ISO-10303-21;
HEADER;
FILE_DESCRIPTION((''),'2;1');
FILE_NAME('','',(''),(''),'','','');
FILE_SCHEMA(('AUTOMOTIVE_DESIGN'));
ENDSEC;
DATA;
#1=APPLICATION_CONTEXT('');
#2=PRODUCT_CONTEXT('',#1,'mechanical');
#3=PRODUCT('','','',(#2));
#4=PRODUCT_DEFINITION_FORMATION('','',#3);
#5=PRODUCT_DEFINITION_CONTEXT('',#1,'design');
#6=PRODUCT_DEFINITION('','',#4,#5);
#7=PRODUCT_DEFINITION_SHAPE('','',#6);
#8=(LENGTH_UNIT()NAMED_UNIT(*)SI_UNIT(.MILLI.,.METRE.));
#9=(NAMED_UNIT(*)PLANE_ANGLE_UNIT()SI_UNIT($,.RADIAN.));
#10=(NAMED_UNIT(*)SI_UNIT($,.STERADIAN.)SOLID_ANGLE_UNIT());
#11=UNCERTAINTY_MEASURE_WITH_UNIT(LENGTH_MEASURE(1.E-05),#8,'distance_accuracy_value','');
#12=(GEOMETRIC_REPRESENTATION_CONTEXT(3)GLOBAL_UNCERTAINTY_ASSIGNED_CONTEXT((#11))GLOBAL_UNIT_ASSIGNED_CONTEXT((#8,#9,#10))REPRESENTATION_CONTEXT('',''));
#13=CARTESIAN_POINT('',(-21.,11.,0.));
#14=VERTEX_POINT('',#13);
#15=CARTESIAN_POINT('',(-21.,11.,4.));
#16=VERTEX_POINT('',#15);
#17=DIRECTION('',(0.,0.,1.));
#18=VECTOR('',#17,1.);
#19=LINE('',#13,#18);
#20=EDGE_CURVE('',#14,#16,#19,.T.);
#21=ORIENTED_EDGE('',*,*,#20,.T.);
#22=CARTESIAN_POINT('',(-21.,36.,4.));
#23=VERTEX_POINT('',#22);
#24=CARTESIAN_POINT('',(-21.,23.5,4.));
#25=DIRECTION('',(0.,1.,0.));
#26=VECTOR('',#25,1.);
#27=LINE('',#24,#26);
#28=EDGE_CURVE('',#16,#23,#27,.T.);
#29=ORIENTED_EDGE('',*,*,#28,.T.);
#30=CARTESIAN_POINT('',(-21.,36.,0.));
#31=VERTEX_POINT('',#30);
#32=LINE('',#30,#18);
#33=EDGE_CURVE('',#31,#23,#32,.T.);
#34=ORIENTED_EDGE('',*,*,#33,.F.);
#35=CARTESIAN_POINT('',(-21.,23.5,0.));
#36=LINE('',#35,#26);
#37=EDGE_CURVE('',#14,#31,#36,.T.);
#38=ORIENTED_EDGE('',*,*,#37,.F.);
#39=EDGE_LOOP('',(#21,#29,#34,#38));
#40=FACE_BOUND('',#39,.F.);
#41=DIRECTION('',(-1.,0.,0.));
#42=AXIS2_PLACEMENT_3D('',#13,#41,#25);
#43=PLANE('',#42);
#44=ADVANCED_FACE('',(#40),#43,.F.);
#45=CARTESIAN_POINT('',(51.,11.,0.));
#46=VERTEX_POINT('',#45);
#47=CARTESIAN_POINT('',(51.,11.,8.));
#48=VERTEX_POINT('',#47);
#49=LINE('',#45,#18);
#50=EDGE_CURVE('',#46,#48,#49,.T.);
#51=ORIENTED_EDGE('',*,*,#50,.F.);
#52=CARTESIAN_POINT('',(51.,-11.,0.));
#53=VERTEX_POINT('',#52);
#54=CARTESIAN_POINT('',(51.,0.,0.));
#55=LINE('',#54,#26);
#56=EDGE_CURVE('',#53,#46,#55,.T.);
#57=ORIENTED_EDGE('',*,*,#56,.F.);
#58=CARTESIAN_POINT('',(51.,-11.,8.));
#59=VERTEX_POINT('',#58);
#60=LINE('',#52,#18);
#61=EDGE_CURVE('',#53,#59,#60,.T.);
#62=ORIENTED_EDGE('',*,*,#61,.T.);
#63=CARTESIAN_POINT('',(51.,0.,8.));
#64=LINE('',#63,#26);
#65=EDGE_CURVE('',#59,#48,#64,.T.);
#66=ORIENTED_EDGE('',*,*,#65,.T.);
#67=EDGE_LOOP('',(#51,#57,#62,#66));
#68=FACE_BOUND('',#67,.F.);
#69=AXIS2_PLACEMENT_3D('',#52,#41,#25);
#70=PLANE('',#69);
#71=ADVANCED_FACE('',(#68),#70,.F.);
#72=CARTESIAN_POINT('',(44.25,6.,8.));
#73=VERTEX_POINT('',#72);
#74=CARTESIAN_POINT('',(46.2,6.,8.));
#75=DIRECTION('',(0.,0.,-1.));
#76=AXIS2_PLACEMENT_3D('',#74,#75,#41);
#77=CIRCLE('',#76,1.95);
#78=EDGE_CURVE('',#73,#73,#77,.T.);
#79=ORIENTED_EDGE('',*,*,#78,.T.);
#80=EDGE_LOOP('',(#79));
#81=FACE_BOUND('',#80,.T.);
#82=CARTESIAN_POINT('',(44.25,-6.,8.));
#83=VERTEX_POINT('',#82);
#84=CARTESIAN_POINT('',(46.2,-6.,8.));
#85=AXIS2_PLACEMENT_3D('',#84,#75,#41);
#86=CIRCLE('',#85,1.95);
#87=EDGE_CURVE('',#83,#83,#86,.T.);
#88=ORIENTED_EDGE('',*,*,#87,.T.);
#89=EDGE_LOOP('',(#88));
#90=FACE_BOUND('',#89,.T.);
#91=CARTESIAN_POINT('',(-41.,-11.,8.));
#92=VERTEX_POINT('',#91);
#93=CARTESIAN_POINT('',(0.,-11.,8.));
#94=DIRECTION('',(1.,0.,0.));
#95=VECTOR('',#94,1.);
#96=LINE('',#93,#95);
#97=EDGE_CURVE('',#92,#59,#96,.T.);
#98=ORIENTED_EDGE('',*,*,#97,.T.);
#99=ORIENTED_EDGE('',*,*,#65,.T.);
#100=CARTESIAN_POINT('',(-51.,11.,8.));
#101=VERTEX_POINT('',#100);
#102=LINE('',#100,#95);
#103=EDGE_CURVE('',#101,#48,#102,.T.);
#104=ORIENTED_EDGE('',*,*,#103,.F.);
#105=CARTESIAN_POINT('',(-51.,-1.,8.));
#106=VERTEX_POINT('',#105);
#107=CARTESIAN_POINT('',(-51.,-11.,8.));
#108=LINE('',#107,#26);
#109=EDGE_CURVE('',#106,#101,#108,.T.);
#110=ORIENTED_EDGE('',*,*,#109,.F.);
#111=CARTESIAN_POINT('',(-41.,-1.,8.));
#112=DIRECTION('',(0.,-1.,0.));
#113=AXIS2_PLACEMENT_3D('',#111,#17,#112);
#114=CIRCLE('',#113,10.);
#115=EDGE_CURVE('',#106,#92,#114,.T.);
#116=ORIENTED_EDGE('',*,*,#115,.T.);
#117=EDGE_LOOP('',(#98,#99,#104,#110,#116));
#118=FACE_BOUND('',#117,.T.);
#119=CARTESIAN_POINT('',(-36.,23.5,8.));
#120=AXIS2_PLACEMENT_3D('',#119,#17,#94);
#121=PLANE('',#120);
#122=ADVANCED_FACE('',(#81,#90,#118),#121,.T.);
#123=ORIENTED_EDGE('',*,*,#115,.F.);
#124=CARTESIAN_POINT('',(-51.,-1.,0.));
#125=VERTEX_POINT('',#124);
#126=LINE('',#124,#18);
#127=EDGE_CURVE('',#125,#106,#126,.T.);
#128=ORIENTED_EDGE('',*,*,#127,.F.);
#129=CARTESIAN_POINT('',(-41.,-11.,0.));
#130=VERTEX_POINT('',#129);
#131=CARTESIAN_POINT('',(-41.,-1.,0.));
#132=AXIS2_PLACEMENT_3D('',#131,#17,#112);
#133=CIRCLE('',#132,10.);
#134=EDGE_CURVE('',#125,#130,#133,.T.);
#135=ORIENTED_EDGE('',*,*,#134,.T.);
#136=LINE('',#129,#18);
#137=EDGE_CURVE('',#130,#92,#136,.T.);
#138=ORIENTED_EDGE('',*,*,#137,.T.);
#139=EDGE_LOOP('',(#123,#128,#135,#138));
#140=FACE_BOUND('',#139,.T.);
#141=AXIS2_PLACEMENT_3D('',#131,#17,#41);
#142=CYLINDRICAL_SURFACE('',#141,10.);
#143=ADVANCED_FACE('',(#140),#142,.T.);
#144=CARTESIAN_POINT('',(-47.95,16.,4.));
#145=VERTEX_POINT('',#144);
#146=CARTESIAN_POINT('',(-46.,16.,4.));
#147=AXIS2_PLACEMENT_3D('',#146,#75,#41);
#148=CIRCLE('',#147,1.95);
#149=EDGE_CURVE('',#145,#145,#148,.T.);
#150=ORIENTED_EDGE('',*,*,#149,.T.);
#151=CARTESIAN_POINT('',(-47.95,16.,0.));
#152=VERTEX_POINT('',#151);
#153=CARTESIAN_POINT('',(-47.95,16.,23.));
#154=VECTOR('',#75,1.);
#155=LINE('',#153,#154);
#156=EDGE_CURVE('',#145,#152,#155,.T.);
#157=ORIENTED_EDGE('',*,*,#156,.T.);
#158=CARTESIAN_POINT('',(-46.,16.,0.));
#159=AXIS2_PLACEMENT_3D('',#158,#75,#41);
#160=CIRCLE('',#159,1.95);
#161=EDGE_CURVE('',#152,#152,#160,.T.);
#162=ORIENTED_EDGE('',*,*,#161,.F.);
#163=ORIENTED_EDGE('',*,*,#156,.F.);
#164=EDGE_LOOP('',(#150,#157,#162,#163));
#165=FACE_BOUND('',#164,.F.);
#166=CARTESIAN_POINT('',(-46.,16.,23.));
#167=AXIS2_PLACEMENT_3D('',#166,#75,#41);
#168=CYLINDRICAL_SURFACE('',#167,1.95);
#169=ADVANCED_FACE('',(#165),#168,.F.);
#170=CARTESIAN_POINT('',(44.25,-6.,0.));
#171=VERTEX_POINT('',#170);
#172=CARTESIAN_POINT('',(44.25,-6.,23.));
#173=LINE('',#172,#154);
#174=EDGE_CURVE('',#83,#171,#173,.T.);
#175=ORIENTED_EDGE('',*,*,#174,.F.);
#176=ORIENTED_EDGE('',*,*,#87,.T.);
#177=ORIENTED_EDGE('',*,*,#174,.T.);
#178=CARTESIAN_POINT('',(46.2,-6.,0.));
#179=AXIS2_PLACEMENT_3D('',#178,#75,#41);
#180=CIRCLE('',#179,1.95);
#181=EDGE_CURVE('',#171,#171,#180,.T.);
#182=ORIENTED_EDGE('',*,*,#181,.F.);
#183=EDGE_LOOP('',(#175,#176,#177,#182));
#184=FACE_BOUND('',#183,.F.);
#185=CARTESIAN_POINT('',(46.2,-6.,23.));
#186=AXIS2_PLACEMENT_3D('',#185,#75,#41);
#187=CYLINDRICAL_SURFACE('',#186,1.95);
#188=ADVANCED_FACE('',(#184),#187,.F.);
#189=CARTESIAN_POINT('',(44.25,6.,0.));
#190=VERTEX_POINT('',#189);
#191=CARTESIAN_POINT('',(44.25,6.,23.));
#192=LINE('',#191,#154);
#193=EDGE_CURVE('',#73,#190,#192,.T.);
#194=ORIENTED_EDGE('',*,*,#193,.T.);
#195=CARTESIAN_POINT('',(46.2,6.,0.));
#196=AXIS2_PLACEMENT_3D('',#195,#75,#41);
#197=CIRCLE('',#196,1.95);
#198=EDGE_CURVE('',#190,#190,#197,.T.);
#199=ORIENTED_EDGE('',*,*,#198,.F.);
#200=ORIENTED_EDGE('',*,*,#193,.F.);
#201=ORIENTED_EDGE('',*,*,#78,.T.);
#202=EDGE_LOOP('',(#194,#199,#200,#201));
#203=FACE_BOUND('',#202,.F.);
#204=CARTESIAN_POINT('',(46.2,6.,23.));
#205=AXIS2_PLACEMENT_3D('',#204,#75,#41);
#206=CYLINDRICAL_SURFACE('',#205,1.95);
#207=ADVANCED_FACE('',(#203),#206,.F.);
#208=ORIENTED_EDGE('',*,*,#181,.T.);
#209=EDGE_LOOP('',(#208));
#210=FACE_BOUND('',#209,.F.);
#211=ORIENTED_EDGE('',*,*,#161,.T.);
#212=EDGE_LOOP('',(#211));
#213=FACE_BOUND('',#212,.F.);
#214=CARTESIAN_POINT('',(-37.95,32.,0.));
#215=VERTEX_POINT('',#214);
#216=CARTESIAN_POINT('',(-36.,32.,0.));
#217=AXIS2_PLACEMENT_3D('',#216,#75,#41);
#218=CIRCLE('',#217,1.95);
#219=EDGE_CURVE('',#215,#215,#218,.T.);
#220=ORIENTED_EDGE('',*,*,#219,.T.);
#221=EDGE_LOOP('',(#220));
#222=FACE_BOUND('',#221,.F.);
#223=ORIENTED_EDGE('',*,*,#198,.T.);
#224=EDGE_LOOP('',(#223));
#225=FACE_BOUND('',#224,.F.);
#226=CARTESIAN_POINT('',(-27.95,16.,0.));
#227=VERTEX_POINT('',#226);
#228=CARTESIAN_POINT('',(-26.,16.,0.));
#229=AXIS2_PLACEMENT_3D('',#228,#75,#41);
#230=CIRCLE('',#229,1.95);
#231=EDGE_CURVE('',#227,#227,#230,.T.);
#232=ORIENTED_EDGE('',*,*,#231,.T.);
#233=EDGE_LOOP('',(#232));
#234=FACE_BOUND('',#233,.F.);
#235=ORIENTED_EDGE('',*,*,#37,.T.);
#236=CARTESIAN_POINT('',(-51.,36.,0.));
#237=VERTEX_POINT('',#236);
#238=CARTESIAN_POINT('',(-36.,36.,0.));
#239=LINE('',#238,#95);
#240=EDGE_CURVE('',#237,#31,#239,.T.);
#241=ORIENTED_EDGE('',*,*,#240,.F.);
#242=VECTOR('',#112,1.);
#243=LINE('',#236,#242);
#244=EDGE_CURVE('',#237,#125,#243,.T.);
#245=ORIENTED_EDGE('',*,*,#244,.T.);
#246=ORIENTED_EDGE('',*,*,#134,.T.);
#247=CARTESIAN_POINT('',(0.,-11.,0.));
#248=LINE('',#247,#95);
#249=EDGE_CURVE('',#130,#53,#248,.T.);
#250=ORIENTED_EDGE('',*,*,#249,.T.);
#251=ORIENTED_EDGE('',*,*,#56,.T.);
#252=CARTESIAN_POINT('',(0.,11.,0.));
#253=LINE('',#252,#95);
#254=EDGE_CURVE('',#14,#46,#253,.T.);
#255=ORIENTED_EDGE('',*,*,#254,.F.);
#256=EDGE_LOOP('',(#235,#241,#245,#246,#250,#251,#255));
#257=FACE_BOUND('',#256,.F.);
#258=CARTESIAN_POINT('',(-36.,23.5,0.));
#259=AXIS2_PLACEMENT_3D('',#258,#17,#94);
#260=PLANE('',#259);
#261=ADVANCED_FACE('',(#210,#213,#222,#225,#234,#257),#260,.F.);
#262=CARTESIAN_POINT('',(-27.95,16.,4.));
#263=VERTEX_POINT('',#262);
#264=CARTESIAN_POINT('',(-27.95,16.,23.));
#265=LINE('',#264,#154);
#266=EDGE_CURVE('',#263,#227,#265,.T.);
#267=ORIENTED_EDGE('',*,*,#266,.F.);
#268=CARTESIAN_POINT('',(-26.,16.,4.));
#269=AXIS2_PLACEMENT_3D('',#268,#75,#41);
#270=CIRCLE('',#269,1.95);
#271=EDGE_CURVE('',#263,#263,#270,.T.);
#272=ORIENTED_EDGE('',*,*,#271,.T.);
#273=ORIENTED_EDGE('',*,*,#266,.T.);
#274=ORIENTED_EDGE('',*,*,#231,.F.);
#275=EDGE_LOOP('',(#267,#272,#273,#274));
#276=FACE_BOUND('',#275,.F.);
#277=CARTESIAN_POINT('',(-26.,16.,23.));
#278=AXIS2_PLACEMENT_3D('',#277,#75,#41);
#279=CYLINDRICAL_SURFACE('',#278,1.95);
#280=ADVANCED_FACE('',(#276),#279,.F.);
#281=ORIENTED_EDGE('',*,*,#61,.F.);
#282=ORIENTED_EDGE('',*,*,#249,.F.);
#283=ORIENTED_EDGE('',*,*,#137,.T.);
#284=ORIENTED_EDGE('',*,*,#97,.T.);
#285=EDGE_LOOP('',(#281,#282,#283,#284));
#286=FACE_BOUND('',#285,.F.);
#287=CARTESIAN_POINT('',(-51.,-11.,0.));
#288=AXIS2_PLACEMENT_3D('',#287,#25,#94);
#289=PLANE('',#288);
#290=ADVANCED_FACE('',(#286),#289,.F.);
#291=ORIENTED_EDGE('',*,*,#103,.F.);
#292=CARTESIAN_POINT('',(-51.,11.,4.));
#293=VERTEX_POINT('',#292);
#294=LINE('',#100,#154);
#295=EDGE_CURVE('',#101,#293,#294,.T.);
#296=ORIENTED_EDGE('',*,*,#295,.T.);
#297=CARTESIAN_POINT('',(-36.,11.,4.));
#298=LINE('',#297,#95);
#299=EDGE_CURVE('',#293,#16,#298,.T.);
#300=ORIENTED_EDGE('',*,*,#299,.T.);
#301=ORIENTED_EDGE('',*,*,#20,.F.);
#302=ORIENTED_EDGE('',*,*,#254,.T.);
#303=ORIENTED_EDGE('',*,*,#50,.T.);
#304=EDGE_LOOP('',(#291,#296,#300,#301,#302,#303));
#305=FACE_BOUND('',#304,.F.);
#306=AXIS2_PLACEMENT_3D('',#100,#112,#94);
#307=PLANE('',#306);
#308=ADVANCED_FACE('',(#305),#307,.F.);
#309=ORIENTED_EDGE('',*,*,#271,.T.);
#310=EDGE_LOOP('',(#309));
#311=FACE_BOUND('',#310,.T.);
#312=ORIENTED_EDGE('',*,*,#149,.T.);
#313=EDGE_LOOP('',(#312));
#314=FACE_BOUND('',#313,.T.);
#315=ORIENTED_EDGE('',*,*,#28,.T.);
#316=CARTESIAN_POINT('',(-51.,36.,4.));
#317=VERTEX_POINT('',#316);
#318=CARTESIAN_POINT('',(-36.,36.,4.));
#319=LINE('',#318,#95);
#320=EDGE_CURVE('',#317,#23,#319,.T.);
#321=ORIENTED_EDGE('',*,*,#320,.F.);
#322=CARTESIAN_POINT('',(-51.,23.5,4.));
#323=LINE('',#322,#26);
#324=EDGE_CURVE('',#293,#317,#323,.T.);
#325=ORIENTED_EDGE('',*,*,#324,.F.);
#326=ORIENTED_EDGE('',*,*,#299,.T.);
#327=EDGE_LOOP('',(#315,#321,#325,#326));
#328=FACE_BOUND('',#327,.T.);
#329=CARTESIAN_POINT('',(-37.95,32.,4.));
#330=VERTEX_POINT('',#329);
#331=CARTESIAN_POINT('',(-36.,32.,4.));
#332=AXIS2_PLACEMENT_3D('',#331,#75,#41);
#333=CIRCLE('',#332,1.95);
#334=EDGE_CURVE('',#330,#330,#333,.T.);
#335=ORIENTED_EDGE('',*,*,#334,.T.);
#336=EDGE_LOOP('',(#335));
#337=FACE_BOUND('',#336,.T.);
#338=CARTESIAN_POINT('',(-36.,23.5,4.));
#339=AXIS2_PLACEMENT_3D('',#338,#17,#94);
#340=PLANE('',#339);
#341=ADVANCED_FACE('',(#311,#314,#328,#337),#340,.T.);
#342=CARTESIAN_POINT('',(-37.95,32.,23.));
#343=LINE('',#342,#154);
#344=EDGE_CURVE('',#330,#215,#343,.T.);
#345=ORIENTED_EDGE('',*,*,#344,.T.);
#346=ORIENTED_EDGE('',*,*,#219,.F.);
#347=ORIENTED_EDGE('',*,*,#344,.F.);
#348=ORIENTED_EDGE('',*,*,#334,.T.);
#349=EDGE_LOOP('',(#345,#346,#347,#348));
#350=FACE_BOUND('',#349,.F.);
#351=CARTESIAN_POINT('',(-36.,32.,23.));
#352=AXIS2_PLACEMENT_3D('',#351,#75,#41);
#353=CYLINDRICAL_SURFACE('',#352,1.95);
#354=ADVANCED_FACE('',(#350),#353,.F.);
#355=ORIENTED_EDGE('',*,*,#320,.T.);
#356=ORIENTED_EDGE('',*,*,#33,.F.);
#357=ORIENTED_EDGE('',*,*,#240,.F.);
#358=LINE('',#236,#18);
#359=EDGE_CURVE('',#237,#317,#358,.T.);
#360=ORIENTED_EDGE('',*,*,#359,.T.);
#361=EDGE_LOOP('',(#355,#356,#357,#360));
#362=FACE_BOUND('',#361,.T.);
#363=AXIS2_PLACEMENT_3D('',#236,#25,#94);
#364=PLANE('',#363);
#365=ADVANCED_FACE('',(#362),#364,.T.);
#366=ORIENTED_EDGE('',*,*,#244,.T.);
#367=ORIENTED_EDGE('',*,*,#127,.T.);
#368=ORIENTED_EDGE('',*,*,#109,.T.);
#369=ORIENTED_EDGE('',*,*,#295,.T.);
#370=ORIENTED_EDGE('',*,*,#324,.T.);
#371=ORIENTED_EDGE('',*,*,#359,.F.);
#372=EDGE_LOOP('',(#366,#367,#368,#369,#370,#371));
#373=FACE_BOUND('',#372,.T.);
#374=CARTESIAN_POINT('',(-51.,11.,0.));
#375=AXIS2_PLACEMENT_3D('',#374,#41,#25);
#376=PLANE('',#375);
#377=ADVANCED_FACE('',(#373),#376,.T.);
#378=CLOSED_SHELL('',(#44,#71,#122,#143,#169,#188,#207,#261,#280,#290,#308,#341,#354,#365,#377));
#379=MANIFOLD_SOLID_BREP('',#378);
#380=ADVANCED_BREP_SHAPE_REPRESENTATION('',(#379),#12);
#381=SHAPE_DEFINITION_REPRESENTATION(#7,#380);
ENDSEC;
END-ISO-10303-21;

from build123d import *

# Parameters (mm, degrees)
SKETCH1_W                    = 102
SKETCH1_H                    = 22
EXTRUDE1_DEPTH               = 8
F_4_0_4_DIAMETER_HOLE1_D     = 3.9
F_4_0_4_DIAMETER_HOLE1_DEPTH = 15
SKETCH3_W                    = 30
SKETCH3_H                    = 25
EXTRUDE2_DEPTH               = 8
FILLET1_R                    = 10
F_4_0_4_DIAMETER_HOLE2_D     = 3.9
F_4_0_4_DIAMETER_HOLE2_DEPTH = 15
SKETCH5_W                    = 30
SKETCH5_H                    = 25
EXTRUDE3_DEPTH               = 4


with BuildPart() as part:
    # Sketch1 → Extrude1 (new body)
    with BuildSketch(Plane.XY):
        Rectangle(SKETCH1_W, SKETCH1_H)
    extrude(amount=EXTRUDE1_DEPTH)

    # Ø4.0 (4) Diameter Hole1
    with Locations(Plane(origin=(46.2, 6, 8), x_dir=(1, 0, 0), z_dir=(0, 0, 1))):
        with Locations((0, 0), (0, -12)):
            Hole(F_4_0_4_DIAMETER_HOLE1_D / 2, depth=F_4_0_4_DIAMETER_HOLE1_DEPTH)

    # Sketch3 → Extrude2 (add)
    with BuildSketch(Plane.XY):
        with Locations((-36, 23.5)):
            Rectangle(SKETCH3_W, SKETCH3_H)
    extrude(amount=EXTRUDE2_DEPTH)

    # Fillet1
    fillet1_edges = [part.edges().sort_by_distance(p)[0] for p in [
        (-51, -11, 4),
    ]]
    fillet(fillet1_edges, radius=FILLET1_R)

    # Ø4.0 (4) Diameter Hole2
    with Locations(Plane(origin=(-46, 16, 8), x_dir=(1, 0, 0), z_dir=(0, 0, 1))):
        with Locations((0, 0), (20, 0), (10, 16)):
            Hole(F_4_0_4_DIAMETER_HOLE2_D / 2, depth=F_4_0_4_DIAMETER_HOLE2_DEPTH)

    # Sketch5 → Extrude3 (cut)
    with BuildSketch(Plane.XY.offset(8)):
        with Locations((-36, 23.5)):
            Rectangle(SKETCH5_W, SKETCH5_H)
    extrude(amount=-EXTRUDE3_DEPTH, mode=Mode.SUBTRACT)


solid = part.part
